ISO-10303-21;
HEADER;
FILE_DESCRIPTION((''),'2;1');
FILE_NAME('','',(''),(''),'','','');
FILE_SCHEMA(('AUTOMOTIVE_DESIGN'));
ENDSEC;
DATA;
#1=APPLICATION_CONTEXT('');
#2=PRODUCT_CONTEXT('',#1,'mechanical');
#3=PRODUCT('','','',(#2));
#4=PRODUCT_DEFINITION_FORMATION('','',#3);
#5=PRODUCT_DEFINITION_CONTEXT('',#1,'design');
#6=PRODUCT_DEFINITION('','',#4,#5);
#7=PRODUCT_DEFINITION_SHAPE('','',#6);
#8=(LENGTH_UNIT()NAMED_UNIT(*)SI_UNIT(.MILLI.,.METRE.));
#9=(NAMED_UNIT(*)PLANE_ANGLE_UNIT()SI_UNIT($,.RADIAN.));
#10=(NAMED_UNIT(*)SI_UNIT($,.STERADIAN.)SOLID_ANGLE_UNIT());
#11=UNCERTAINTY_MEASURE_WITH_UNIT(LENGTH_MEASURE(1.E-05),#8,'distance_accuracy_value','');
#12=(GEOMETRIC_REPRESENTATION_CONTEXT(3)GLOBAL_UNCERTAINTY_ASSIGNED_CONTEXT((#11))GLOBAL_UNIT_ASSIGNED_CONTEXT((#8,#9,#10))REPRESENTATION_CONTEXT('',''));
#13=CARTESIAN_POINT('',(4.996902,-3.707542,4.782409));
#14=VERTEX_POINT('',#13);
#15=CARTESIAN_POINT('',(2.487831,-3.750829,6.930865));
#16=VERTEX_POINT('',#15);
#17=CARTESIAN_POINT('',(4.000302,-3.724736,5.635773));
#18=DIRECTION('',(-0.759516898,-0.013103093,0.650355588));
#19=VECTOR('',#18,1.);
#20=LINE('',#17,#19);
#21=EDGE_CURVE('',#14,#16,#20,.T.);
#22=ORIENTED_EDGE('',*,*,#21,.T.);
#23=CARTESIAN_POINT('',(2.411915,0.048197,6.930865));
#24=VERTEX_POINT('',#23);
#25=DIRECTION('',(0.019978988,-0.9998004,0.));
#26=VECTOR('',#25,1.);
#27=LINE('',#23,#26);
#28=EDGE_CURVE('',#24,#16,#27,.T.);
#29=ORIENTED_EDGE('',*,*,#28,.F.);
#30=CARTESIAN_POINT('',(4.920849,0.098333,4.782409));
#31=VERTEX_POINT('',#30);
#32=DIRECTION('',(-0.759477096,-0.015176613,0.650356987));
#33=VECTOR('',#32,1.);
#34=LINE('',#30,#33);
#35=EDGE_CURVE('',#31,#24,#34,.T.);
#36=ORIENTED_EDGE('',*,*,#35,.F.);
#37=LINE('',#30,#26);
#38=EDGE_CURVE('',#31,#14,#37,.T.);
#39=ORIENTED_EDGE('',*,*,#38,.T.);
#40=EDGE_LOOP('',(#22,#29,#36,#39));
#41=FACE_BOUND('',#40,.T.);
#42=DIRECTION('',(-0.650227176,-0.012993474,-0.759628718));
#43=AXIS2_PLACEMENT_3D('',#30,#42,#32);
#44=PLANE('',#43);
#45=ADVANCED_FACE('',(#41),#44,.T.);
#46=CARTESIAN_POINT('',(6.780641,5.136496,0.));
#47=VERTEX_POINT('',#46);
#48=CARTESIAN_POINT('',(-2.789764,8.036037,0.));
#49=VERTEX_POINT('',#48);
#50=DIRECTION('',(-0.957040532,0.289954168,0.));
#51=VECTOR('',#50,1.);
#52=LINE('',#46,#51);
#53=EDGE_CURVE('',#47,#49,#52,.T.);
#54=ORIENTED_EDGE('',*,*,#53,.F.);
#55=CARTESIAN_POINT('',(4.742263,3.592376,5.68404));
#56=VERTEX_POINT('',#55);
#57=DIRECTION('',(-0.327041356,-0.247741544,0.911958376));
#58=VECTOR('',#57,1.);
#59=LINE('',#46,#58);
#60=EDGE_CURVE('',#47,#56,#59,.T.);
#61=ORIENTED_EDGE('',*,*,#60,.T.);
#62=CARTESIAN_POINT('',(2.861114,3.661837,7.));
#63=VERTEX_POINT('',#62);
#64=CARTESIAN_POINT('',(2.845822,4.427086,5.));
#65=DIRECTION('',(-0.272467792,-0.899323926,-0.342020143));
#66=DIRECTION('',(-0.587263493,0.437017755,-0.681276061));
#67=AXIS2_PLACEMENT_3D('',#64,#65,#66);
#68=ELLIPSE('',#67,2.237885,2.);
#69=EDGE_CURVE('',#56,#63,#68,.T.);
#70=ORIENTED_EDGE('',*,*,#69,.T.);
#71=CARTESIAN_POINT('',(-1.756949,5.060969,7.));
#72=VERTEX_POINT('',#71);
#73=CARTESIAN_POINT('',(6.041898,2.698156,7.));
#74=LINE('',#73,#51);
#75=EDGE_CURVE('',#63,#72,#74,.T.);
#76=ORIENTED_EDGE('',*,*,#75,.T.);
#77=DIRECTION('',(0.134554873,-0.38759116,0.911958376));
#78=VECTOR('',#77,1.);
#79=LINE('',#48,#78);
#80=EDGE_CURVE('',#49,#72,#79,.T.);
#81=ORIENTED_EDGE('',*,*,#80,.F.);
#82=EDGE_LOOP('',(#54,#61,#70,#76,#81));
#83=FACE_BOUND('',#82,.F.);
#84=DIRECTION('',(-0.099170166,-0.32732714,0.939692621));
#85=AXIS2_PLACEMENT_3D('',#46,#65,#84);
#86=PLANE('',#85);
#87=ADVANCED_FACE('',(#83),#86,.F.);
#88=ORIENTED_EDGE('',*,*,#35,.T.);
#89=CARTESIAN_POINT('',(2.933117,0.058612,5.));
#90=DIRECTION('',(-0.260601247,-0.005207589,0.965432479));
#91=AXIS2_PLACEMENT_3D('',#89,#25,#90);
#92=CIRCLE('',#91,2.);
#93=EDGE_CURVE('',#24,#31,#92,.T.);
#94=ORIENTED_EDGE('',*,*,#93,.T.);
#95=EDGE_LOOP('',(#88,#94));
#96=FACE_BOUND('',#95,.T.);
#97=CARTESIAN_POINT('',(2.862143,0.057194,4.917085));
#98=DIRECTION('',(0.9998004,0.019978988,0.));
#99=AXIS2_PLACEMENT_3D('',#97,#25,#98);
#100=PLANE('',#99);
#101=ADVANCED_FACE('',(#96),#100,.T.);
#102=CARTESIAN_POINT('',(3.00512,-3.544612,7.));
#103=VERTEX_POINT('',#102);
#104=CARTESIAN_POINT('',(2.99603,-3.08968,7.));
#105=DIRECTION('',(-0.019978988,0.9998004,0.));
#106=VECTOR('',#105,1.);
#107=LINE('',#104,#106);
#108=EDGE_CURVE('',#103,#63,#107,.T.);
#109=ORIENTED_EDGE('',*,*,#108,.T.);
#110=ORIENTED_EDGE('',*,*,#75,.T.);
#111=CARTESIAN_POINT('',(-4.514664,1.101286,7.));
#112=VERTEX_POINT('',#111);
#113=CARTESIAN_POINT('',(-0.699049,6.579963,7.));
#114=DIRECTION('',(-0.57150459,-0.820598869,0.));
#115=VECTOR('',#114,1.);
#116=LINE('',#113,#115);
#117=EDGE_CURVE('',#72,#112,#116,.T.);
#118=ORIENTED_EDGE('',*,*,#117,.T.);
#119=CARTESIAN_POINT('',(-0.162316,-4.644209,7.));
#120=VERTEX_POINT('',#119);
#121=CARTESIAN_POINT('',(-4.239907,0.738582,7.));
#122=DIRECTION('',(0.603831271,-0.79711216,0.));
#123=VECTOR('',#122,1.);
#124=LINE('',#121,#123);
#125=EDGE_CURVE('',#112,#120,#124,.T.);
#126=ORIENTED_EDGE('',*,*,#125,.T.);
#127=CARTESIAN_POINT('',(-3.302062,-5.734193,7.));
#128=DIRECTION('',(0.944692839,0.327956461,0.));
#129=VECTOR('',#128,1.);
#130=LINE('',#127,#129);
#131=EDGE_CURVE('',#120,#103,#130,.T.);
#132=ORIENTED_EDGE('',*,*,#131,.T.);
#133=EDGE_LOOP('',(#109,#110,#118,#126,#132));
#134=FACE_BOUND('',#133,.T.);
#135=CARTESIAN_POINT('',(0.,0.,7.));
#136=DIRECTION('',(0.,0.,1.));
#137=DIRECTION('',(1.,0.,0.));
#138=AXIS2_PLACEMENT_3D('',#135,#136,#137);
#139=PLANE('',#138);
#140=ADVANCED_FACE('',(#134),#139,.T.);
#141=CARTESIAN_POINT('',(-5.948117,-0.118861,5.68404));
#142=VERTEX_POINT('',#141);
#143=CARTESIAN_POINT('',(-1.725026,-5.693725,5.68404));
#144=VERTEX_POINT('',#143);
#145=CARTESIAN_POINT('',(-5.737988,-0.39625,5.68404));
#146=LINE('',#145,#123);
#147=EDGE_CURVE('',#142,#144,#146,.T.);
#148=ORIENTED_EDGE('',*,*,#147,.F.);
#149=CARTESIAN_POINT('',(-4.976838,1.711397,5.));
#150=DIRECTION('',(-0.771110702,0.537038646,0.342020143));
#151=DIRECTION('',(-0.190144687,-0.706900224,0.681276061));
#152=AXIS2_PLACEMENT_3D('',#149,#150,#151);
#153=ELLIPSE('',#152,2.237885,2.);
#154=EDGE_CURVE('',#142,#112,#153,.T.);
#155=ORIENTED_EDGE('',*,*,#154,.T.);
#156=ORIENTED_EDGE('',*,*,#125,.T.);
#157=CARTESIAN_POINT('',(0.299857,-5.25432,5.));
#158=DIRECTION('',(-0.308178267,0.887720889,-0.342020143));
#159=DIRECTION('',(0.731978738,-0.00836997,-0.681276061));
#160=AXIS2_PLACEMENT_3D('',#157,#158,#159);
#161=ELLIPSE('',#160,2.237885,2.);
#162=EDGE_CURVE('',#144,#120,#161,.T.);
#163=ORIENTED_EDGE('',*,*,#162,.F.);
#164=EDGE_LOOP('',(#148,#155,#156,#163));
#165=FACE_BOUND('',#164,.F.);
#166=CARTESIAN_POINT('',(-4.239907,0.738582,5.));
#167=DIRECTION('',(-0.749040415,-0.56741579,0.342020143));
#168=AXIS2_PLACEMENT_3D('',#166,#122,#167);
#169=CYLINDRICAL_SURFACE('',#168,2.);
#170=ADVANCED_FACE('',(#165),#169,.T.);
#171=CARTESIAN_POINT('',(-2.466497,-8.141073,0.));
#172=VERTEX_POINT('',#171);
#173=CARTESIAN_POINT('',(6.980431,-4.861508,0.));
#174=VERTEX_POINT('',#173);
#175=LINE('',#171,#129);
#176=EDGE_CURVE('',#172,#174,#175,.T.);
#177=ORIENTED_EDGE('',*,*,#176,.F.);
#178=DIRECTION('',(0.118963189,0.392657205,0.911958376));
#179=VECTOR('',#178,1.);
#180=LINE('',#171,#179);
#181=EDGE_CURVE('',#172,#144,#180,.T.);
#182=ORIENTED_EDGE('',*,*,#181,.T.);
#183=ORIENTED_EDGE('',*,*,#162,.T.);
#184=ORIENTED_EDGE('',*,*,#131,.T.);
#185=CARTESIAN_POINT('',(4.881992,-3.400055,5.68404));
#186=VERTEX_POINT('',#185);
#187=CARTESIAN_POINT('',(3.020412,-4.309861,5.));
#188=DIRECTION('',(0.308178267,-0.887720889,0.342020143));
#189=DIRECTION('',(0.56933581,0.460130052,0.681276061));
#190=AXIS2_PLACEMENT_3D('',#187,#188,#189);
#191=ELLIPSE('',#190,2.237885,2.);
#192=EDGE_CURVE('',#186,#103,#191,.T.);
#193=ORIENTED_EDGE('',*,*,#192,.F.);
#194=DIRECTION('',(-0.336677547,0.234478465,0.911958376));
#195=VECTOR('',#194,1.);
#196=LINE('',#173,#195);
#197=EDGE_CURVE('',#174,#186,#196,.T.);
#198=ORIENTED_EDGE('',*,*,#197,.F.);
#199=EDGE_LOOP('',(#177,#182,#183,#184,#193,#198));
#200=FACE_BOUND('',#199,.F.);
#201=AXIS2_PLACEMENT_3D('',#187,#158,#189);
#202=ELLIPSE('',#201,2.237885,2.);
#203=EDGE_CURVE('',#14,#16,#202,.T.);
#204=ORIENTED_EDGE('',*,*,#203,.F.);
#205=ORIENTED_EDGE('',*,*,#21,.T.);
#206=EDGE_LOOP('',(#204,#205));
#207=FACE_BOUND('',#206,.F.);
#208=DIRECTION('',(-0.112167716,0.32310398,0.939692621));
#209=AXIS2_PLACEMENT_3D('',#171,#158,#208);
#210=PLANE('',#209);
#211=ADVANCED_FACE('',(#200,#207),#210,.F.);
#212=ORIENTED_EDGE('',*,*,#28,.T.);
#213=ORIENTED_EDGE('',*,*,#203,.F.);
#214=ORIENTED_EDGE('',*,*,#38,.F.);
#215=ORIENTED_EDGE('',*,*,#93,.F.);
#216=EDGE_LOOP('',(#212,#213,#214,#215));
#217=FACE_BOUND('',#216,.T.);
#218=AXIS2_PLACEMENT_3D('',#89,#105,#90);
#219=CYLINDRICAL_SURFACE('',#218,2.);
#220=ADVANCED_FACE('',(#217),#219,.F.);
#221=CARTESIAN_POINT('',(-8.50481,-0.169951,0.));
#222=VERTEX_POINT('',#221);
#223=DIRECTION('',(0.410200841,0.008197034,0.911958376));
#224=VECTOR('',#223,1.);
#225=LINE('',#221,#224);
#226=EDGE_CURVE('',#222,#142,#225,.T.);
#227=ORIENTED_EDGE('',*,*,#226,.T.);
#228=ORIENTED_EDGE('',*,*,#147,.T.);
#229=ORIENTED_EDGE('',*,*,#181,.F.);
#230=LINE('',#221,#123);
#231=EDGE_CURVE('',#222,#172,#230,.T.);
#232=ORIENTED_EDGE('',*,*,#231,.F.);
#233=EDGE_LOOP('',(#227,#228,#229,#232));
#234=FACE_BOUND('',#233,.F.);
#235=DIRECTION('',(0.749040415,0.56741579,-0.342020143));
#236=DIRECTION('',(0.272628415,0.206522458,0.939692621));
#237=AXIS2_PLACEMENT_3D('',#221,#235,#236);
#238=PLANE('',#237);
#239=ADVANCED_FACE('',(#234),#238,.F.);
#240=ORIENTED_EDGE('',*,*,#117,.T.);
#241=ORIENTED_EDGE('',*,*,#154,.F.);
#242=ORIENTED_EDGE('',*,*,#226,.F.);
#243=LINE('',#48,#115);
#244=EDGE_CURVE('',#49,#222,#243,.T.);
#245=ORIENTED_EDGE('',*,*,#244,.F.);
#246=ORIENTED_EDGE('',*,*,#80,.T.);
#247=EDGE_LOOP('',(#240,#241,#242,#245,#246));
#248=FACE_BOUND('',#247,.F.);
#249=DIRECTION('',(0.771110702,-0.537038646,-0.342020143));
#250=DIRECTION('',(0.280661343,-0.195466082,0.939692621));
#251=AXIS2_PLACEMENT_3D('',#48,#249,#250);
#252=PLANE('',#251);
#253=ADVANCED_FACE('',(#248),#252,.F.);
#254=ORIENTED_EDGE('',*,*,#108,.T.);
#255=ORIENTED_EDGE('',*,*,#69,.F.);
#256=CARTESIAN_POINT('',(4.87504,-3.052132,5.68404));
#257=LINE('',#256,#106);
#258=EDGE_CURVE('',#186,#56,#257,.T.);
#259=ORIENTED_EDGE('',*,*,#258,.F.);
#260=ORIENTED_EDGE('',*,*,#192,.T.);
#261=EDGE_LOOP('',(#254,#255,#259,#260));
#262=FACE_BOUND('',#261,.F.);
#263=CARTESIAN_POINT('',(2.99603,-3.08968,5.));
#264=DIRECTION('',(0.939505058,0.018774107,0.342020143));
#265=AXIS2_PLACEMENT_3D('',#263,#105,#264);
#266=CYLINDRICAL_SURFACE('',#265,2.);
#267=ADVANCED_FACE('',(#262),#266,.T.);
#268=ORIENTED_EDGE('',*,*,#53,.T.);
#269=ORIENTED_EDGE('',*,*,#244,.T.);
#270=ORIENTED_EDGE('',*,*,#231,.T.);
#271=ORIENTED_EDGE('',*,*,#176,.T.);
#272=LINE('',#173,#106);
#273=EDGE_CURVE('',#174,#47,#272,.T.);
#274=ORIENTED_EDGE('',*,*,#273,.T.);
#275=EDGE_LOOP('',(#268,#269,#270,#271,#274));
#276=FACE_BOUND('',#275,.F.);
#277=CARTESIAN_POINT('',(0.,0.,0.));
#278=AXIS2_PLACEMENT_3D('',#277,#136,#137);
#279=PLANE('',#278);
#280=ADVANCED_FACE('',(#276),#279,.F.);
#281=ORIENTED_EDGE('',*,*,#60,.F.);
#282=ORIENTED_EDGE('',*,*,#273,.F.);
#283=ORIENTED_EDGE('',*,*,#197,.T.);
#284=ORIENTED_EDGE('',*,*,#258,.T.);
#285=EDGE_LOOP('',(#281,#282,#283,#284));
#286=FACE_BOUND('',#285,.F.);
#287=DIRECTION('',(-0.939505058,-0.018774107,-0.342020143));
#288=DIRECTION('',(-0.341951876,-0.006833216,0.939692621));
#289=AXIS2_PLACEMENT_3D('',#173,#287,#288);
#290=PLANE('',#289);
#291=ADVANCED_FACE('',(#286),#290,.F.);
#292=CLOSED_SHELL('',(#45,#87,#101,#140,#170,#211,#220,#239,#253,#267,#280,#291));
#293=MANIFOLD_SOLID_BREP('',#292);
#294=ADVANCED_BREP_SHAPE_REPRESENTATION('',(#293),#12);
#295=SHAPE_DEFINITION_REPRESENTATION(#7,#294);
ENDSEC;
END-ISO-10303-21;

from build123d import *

# Parameters (mm, degrees)
F1_DEPTH = 7
F1_TAPER = 20
F2_R     = 2
F6_DEPTH = 5.3744027906


with BuildPart() as f1:
    # F0 (on Top) → F1 (new body)
    with BuildSketch(Plane.XY):
        Polygon((-2.466497474, -8.1410730242), (6.9804309133, -4.861508412), (6.7806410345, 5.136495589), (-2.7897642884, 8.0360372691), (-8.5048101854, -0.1699514219), align=None)
    extrude(amount=F1_DEPTH, taper=F1_TAPER)

    # F2
    f2_edges = [f1.edges().sort_by_distance(p)[0] for p in [
        (4.333253, 0.086591, 7),
        (-3.454778, -2.617076, 7),
    ]]
    fillet(f2_edges, radius=F2_R)

    # F5 (on face) → F6 (cut, through all)
    with BuildSketch(Plane(origin=(0, 0, 0), x_dir=(0.9998004001, 0.0199789879, 0), z_dir=(0.0199789879, -0.9998004001, 0))):
        with BuildLine():
            Line((4.9218312378, 4.7824094277), (2.4123963387, 6.9308649574))
            ThreePointArc((2.4123963387, 6.9308649574), (1.6329889121, 3.4807425637), (4.9218312378, 4.7824094277))
        make_face()
    extrude(amount=F6_DEPTH, mode=Mode.SUBTRACT)


solid = f1.part
